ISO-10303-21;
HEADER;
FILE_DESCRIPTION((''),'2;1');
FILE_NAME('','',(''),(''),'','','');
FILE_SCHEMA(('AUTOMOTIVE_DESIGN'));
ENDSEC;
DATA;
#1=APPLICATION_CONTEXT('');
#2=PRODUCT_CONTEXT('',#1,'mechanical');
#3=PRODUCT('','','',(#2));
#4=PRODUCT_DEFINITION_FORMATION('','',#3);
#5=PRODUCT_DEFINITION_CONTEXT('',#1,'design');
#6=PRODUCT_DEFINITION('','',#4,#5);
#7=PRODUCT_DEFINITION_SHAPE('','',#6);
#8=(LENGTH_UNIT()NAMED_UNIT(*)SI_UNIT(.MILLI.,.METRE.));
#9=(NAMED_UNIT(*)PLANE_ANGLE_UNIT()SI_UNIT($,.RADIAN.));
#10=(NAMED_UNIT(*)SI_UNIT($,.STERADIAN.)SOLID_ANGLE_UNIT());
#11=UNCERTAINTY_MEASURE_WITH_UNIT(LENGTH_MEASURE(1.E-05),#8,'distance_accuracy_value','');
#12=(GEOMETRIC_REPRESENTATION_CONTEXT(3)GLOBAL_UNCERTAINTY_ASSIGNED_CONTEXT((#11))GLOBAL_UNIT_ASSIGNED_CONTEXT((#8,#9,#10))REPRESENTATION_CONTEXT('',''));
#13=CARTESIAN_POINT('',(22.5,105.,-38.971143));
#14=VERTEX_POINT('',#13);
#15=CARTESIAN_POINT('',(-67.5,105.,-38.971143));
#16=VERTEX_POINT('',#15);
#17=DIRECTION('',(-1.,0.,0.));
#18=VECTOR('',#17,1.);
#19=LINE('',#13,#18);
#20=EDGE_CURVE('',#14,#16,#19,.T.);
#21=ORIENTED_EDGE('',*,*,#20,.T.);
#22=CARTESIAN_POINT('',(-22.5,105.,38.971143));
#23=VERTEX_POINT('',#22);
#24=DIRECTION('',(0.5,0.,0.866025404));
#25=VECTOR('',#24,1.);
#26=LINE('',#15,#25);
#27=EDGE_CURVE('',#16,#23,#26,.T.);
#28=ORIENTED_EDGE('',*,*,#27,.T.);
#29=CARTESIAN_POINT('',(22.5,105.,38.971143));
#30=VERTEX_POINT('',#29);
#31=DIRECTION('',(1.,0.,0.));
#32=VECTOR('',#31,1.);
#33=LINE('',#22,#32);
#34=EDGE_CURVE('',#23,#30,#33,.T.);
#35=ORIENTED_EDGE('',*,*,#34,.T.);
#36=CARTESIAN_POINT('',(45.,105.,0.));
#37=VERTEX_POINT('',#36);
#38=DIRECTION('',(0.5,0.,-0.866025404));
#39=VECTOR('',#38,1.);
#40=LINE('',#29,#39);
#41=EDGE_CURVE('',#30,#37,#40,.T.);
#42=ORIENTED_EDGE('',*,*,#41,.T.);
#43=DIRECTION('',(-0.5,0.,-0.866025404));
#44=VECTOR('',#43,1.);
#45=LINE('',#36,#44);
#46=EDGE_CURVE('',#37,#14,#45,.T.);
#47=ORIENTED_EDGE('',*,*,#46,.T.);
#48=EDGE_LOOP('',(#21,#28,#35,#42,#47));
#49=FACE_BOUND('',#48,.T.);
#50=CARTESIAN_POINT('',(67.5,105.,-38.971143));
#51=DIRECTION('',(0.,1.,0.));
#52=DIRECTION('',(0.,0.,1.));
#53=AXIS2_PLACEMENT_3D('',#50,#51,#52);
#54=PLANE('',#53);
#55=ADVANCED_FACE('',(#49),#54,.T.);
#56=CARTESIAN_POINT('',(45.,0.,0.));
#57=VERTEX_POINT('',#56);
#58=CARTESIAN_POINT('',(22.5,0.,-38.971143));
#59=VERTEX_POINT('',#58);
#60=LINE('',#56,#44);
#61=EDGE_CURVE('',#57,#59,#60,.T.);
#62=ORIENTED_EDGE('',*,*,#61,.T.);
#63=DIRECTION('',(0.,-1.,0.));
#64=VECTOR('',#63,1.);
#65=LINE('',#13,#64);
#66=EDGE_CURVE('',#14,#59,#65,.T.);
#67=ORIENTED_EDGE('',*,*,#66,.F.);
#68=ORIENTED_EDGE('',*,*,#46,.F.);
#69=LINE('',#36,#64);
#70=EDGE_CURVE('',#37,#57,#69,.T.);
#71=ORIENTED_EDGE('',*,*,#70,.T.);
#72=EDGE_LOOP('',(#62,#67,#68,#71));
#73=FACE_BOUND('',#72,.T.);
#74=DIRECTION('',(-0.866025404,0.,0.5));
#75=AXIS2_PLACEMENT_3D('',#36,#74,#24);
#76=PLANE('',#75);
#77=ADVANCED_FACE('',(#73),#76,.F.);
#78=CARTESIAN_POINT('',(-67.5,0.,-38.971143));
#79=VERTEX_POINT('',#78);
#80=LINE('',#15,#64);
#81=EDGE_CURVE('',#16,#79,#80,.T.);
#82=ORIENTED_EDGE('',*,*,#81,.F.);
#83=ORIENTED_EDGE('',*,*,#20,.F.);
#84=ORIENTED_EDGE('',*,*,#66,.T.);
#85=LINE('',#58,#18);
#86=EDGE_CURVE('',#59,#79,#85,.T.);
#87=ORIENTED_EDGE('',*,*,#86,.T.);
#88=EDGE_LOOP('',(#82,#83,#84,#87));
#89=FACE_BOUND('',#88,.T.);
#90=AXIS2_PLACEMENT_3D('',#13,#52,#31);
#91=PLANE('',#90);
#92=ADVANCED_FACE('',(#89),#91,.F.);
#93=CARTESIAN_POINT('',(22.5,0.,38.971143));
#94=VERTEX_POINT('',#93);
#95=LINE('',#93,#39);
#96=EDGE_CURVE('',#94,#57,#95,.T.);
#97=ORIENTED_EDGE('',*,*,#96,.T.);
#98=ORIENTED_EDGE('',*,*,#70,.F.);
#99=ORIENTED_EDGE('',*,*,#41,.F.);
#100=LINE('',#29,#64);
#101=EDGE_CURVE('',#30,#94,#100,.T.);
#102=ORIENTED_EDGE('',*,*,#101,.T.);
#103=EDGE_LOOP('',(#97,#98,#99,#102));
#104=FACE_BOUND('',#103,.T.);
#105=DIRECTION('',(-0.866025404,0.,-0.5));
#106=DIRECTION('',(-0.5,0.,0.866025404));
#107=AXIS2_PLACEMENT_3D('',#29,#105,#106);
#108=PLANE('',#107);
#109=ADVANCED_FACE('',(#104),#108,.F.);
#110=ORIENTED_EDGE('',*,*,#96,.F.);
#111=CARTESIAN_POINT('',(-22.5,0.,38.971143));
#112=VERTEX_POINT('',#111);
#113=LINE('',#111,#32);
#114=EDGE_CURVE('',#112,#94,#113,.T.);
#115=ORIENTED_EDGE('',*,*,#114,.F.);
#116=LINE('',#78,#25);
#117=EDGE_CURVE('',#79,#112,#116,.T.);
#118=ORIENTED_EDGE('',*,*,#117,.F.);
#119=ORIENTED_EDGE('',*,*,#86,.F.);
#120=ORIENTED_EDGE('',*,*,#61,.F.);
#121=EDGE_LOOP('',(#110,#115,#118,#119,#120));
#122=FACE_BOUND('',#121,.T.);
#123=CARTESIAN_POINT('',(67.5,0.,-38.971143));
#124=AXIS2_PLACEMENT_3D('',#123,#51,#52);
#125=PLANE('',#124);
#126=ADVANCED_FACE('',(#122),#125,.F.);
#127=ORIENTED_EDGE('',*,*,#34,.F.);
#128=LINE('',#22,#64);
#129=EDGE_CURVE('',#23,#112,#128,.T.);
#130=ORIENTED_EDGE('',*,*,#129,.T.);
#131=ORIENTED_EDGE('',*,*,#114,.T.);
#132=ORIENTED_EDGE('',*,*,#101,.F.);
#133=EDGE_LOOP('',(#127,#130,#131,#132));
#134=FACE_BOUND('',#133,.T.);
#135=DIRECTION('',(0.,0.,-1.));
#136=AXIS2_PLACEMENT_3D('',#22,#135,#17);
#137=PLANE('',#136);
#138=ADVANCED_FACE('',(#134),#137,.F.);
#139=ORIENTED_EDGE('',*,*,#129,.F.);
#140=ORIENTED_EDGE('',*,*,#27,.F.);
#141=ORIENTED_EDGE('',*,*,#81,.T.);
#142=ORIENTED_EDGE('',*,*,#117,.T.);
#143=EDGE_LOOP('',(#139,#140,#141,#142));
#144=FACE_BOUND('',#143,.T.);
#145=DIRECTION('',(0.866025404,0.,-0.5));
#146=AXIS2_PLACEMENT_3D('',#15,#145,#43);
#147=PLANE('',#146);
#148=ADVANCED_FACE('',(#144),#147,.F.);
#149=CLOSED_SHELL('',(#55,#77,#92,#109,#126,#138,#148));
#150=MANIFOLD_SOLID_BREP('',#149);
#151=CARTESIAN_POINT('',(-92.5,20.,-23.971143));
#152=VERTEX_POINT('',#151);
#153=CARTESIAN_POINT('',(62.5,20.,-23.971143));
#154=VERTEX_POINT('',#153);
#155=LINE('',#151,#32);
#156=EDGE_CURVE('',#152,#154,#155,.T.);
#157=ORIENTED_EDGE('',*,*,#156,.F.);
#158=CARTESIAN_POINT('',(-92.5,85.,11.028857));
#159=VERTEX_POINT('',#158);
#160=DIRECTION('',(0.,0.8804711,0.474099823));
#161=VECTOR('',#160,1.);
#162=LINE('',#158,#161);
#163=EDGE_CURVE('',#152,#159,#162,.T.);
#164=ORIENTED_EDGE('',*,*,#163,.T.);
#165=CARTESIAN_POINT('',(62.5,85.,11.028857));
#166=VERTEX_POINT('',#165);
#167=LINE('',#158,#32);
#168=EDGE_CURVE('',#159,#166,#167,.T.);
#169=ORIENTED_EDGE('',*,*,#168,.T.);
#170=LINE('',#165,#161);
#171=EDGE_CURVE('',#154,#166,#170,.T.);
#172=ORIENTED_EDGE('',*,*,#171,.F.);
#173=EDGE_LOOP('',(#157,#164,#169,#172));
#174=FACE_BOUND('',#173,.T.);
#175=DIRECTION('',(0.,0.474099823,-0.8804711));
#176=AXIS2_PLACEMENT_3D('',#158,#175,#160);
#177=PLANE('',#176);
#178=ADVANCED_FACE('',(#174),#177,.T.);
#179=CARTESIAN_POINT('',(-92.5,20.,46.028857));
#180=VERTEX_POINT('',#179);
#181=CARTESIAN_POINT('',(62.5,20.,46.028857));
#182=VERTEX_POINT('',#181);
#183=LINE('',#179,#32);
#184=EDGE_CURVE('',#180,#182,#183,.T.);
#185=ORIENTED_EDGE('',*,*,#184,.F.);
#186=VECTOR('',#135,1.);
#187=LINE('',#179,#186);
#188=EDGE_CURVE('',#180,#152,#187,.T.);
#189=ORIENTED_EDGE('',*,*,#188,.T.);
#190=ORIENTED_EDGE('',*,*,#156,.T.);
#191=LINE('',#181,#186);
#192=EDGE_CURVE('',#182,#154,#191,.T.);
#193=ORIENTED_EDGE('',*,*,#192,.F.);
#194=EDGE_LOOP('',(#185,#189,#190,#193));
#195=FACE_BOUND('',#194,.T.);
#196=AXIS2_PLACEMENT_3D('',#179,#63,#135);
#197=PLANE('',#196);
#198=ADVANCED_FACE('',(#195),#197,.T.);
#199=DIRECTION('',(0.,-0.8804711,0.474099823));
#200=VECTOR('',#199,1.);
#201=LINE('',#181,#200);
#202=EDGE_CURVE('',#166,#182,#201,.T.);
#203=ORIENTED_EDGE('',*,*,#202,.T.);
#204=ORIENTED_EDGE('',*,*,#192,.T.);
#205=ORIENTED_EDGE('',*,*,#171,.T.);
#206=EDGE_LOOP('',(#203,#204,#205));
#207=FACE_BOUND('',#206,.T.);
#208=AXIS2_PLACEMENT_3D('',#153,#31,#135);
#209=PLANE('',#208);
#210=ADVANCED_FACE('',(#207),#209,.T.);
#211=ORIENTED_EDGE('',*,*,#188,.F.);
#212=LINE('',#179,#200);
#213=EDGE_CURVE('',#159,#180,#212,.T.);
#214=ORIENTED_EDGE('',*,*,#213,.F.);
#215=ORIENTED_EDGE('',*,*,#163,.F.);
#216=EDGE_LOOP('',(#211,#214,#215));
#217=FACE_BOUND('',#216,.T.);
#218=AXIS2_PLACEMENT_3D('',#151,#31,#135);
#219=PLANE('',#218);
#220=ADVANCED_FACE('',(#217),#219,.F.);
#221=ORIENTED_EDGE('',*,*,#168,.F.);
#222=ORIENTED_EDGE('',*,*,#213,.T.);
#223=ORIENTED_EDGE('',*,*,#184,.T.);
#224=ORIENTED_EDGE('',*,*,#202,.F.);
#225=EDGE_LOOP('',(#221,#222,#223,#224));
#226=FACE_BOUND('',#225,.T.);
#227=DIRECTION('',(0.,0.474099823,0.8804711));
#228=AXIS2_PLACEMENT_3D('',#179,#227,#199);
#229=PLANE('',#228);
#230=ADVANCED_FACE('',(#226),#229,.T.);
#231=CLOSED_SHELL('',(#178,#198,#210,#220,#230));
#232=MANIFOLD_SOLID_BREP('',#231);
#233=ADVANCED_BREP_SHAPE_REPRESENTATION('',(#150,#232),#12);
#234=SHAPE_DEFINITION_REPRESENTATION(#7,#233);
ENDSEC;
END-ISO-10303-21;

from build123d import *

# Parameters (mm, degrees)
EXTRUDE1_DEPTH = 105
EXTRUDE2_START = 62.5
EXTRUDE2_DEPTH = 155


with BuildPart() as part:
    # Sketch1 → Extrude1 (new body)
    with BuildSketch(Plane(origin=(0, 0, 0), x_dir=(1, 0, 0), z_dir=(0, 1, 0))):
        Polygon((45, 0), (22.5, 38.97114317), (-67.5, 38.97114317), (-22.5, -38.97114317), (22.5, -38.97114317), align=None)
    extrude(amount=EXTRUDE1_DEPTH)


with BuildPart() as body_2:
    # Sketch2 → Extrude2 (new body)
    with BuildSketch(Plane(origin=(0, 0, 0), x_dir=(0, 0, -1), z_dir=(1, 0, 0)).offset(EXTRUDE2_START)):
        Polygon((-46.02885683, 20), (23.97114317, 20), (-11.02885683, 85), align=None)
    extrude(amount=-EXTRUDE2_DEPTH)


solid = Compound([part.part, body_2.part])
